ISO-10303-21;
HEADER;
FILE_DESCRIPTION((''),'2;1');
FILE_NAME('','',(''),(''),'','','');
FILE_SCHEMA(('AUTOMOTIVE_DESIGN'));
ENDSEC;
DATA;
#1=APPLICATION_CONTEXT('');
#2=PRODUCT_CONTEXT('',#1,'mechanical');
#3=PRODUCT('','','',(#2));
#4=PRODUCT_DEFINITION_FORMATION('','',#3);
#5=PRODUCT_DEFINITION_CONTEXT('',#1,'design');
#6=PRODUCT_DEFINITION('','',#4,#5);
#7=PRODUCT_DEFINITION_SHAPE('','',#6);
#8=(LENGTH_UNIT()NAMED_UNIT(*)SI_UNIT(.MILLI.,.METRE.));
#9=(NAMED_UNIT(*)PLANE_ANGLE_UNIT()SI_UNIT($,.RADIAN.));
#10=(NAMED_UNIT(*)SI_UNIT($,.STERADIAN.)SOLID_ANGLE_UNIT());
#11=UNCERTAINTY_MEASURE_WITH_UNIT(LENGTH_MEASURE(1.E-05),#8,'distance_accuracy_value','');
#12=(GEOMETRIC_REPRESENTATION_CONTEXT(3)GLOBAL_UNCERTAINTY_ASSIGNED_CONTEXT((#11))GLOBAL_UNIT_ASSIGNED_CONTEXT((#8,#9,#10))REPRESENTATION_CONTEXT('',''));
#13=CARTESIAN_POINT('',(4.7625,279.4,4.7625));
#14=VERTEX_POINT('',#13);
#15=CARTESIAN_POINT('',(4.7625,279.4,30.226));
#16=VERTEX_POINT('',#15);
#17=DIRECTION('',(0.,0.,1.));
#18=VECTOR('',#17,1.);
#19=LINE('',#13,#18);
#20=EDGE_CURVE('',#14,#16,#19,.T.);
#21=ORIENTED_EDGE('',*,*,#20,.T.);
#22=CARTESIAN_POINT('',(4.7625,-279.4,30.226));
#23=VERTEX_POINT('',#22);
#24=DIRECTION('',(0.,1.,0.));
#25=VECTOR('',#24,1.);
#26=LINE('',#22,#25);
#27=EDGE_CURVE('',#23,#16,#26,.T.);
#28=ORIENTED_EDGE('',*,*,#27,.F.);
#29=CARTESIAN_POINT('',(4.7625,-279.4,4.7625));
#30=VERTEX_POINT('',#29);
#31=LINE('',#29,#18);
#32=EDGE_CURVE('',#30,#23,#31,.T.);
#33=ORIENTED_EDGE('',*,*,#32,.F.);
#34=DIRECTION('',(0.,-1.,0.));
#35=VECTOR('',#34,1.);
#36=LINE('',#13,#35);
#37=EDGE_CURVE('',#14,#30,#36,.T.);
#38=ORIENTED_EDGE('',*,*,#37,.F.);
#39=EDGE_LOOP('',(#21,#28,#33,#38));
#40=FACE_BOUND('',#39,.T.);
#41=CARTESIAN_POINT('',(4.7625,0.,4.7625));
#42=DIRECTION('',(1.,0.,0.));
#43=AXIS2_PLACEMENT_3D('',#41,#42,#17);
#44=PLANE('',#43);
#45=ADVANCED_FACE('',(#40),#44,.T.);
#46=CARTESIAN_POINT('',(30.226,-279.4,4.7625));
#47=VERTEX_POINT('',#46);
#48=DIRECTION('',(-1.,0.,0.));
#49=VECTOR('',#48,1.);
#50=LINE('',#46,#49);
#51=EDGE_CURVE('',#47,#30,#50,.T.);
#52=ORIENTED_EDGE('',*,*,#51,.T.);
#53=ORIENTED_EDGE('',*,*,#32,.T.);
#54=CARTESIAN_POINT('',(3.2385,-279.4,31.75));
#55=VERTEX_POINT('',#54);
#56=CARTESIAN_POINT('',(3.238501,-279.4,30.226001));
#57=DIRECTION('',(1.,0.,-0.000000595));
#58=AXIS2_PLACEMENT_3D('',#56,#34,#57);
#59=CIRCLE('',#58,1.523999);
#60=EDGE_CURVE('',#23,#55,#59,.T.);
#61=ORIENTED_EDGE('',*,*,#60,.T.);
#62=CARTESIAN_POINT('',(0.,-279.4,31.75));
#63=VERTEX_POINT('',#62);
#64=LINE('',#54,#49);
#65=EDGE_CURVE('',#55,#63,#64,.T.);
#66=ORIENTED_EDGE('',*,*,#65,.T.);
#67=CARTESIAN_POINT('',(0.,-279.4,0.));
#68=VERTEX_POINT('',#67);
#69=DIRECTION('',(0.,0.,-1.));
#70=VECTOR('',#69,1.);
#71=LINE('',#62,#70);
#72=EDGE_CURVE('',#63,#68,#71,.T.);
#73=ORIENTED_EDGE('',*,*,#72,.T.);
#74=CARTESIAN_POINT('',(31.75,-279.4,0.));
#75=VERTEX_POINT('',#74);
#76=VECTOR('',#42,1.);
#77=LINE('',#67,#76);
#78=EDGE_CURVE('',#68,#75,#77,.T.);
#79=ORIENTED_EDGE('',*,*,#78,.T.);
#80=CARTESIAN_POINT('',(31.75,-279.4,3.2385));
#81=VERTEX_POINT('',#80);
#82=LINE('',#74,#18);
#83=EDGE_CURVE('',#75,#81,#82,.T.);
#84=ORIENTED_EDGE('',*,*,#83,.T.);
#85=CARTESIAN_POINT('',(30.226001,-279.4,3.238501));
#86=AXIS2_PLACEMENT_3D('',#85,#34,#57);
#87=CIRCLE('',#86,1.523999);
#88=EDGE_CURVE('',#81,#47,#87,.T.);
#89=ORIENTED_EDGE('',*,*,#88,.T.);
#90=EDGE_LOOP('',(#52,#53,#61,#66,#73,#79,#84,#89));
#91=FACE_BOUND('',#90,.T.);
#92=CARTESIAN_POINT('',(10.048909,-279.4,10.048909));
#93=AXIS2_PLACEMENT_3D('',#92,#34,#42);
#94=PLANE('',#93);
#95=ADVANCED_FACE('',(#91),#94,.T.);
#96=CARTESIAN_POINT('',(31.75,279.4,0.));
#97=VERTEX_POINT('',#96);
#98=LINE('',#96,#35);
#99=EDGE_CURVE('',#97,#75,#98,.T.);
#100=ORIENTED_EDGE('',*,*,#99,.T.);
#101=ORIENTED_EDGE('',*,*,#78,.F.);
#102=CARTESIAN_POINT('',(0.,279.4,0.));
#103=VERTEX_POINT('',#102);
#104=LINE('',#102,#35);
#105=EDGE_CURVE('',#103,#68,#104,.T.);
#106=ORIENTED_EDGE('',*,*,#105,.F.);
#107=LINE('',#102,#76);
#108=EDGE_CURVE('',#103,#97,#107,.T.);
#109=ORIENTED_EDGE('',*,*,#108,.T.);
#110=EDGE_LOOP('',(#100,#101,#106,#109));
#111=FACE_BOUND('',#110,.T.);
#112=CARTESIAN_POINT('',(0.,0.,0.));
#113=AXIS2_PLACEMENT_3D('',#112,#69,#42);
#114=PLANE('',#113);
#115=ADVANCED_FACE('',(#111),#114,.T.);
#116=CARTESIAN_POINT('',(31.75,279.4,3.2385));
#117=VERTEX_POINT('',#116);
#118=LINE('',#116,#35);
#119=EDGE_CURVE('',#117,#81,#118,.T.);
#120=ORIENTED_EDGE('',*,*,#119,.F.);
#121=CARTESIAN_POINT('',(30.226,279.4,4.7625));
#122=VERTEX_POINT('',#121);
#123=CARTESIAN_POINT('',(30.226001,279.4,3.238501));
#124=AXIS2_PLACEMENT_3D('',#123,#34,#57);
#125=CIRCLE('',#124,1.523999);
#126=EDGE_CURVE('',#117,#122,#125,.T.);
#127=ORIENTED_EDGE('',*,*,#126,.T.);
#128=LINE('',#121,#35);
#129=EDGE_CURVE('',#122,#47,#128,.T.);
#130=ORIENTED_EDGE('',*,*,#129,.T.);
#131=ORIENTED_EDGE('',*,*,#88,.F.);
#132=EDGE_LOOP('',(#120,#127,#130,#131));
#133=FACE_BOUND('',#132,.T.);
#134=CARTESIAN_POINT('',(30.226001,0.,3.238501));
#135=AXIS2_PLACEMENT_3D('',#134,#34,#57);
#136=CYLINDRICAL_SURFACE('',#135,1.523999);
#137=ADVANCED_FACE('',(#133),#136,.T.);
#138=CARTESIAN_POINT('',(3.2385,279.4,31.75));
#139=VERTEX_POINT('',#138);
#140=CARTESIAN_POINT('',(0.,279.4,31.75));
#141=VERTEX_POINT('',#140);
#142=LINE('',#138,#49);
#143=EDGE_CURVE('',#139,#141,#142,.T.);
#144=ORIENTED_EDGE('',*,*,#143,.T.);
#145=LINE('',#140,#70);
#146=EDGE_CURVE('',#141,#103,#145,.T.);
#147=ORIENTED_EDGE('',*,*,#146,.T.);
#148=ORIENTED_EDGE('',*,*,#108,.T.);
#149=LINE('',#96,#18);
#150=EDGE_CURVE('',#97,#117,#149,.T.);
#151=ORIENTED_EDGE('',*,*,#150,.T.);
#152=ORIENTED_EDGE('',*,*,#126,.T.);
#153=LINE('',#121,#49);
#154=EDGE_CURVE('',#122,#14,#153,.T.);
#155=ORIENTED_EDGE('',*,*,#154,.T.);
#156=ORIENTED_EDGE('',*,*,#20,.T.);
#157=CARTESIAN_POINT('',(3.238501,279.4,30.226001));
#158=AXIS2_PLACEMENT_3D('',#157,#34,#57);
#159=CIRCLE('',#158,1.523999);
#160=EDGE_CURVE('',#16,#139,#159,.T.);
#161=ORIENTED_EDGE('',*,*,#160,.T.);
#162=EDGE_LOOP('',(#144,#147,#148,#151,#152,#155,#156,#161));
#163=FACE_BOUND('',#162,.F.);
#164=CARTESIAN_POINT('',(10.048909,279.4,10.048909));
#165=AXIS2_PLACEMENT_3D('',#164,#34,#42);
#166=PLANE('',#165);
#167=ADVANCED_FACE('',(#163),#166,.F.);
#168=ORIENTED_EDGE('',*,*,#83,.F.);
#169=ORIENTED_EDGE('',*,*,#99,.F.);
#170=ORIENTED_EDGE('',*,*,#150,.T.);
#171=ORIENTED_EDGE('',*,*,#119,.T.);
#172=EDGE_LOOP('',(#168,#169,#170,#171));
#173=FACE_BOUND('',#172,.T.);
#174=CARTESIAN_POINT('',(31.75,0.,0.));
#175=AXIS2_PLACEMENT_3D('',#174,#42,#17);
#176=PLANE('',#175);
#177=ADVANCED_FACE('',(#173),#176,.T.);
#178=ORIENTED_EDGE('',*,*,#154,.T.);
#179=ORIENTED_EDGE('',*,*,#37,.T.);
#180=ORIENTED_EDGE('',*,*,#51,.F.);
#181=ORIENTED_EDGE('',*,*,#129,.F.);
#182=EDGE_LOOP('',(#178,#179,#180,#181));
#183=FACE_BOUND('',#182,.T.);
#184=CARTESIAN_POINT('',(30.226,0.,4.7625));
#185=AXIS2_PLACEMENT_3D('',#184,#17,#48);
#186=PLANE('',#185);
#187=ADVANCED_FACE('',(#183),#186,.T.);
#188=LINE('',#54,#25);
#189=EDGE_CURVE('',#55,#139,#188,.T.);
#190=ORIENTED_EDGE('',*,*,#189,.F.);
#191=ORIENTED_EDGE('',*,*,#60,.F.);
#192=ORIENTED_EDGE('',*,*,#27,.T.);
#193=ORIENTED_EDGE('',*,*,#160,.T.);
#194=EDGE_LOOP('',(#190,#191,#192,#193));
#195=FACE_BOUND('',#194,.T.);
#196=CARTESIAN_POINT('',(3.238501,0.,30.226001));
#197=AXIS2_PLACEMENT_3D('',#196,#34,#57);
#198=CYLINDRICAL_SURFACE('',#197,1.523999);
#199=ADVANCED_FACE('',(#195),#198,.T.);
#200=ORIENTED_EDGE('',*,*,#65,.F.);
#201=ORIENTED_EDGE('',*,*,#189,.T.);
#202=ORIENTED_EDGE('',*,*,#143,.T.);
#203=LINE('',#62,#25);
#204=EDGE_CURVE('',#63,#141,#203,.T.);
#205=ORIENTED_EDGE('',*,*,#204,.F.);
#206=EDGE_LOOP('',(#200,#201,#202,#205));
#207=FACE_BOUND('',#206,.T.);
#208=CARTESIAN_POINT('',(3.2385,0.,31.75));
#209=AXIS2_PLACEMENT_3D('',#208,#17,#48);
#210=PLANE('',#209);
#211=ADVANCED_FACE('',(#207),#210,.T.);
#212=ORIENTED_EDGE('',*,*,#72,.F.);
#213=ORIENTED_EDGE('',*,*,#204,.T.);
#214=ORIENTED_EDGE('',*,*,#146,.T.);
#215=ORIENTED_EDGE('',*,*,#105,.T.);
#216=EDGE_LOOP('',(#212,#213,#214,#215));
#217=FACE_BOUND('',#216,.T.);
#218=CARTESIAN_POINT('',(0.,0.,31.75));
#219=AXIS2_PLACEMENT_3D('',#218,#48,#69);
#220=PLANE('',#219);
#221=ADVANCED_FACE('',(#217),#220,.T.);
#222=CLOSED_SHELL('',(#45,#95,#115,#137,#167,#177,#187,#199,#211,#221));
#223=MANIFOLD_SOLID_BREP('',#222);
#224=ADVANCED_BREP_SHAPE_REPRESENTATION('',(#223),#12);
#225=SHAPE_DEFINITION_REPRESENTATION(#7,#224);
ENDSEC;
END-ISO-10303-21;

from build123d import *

# Parameters (mm, degrees)
F1_DEPTH = 279.4


with BuildPart() as f1:
    # F0 (on Front) → F1 (new body, symmetric)
    with BuildSketch(Plane.XZ):
        with BuildLine():
            Line((0, 31.75), (0, 0))
            Line((0, 0), (31.75, 0))
            Line((31.75, 0), (31.75, 3.2385))
            ThreePointArc((31.75, 3.2385), (31.303631, 4.316131), (30.226, 4.7625))
            Line((30.226, 4.7625), (4.7625, 4.7625))
            Line((4.7625, 4.7625), (4.7625, 30.226))
            ThreePointArc((4.7625, 30.226), (4.316131, 31.303631), (3.2385, 31.75))
            Line((3.2385, 31.75), (0, 31.75))
        make_face()
    extrude(amount=F1_DEPTH, both=True)


solid = f1.part
